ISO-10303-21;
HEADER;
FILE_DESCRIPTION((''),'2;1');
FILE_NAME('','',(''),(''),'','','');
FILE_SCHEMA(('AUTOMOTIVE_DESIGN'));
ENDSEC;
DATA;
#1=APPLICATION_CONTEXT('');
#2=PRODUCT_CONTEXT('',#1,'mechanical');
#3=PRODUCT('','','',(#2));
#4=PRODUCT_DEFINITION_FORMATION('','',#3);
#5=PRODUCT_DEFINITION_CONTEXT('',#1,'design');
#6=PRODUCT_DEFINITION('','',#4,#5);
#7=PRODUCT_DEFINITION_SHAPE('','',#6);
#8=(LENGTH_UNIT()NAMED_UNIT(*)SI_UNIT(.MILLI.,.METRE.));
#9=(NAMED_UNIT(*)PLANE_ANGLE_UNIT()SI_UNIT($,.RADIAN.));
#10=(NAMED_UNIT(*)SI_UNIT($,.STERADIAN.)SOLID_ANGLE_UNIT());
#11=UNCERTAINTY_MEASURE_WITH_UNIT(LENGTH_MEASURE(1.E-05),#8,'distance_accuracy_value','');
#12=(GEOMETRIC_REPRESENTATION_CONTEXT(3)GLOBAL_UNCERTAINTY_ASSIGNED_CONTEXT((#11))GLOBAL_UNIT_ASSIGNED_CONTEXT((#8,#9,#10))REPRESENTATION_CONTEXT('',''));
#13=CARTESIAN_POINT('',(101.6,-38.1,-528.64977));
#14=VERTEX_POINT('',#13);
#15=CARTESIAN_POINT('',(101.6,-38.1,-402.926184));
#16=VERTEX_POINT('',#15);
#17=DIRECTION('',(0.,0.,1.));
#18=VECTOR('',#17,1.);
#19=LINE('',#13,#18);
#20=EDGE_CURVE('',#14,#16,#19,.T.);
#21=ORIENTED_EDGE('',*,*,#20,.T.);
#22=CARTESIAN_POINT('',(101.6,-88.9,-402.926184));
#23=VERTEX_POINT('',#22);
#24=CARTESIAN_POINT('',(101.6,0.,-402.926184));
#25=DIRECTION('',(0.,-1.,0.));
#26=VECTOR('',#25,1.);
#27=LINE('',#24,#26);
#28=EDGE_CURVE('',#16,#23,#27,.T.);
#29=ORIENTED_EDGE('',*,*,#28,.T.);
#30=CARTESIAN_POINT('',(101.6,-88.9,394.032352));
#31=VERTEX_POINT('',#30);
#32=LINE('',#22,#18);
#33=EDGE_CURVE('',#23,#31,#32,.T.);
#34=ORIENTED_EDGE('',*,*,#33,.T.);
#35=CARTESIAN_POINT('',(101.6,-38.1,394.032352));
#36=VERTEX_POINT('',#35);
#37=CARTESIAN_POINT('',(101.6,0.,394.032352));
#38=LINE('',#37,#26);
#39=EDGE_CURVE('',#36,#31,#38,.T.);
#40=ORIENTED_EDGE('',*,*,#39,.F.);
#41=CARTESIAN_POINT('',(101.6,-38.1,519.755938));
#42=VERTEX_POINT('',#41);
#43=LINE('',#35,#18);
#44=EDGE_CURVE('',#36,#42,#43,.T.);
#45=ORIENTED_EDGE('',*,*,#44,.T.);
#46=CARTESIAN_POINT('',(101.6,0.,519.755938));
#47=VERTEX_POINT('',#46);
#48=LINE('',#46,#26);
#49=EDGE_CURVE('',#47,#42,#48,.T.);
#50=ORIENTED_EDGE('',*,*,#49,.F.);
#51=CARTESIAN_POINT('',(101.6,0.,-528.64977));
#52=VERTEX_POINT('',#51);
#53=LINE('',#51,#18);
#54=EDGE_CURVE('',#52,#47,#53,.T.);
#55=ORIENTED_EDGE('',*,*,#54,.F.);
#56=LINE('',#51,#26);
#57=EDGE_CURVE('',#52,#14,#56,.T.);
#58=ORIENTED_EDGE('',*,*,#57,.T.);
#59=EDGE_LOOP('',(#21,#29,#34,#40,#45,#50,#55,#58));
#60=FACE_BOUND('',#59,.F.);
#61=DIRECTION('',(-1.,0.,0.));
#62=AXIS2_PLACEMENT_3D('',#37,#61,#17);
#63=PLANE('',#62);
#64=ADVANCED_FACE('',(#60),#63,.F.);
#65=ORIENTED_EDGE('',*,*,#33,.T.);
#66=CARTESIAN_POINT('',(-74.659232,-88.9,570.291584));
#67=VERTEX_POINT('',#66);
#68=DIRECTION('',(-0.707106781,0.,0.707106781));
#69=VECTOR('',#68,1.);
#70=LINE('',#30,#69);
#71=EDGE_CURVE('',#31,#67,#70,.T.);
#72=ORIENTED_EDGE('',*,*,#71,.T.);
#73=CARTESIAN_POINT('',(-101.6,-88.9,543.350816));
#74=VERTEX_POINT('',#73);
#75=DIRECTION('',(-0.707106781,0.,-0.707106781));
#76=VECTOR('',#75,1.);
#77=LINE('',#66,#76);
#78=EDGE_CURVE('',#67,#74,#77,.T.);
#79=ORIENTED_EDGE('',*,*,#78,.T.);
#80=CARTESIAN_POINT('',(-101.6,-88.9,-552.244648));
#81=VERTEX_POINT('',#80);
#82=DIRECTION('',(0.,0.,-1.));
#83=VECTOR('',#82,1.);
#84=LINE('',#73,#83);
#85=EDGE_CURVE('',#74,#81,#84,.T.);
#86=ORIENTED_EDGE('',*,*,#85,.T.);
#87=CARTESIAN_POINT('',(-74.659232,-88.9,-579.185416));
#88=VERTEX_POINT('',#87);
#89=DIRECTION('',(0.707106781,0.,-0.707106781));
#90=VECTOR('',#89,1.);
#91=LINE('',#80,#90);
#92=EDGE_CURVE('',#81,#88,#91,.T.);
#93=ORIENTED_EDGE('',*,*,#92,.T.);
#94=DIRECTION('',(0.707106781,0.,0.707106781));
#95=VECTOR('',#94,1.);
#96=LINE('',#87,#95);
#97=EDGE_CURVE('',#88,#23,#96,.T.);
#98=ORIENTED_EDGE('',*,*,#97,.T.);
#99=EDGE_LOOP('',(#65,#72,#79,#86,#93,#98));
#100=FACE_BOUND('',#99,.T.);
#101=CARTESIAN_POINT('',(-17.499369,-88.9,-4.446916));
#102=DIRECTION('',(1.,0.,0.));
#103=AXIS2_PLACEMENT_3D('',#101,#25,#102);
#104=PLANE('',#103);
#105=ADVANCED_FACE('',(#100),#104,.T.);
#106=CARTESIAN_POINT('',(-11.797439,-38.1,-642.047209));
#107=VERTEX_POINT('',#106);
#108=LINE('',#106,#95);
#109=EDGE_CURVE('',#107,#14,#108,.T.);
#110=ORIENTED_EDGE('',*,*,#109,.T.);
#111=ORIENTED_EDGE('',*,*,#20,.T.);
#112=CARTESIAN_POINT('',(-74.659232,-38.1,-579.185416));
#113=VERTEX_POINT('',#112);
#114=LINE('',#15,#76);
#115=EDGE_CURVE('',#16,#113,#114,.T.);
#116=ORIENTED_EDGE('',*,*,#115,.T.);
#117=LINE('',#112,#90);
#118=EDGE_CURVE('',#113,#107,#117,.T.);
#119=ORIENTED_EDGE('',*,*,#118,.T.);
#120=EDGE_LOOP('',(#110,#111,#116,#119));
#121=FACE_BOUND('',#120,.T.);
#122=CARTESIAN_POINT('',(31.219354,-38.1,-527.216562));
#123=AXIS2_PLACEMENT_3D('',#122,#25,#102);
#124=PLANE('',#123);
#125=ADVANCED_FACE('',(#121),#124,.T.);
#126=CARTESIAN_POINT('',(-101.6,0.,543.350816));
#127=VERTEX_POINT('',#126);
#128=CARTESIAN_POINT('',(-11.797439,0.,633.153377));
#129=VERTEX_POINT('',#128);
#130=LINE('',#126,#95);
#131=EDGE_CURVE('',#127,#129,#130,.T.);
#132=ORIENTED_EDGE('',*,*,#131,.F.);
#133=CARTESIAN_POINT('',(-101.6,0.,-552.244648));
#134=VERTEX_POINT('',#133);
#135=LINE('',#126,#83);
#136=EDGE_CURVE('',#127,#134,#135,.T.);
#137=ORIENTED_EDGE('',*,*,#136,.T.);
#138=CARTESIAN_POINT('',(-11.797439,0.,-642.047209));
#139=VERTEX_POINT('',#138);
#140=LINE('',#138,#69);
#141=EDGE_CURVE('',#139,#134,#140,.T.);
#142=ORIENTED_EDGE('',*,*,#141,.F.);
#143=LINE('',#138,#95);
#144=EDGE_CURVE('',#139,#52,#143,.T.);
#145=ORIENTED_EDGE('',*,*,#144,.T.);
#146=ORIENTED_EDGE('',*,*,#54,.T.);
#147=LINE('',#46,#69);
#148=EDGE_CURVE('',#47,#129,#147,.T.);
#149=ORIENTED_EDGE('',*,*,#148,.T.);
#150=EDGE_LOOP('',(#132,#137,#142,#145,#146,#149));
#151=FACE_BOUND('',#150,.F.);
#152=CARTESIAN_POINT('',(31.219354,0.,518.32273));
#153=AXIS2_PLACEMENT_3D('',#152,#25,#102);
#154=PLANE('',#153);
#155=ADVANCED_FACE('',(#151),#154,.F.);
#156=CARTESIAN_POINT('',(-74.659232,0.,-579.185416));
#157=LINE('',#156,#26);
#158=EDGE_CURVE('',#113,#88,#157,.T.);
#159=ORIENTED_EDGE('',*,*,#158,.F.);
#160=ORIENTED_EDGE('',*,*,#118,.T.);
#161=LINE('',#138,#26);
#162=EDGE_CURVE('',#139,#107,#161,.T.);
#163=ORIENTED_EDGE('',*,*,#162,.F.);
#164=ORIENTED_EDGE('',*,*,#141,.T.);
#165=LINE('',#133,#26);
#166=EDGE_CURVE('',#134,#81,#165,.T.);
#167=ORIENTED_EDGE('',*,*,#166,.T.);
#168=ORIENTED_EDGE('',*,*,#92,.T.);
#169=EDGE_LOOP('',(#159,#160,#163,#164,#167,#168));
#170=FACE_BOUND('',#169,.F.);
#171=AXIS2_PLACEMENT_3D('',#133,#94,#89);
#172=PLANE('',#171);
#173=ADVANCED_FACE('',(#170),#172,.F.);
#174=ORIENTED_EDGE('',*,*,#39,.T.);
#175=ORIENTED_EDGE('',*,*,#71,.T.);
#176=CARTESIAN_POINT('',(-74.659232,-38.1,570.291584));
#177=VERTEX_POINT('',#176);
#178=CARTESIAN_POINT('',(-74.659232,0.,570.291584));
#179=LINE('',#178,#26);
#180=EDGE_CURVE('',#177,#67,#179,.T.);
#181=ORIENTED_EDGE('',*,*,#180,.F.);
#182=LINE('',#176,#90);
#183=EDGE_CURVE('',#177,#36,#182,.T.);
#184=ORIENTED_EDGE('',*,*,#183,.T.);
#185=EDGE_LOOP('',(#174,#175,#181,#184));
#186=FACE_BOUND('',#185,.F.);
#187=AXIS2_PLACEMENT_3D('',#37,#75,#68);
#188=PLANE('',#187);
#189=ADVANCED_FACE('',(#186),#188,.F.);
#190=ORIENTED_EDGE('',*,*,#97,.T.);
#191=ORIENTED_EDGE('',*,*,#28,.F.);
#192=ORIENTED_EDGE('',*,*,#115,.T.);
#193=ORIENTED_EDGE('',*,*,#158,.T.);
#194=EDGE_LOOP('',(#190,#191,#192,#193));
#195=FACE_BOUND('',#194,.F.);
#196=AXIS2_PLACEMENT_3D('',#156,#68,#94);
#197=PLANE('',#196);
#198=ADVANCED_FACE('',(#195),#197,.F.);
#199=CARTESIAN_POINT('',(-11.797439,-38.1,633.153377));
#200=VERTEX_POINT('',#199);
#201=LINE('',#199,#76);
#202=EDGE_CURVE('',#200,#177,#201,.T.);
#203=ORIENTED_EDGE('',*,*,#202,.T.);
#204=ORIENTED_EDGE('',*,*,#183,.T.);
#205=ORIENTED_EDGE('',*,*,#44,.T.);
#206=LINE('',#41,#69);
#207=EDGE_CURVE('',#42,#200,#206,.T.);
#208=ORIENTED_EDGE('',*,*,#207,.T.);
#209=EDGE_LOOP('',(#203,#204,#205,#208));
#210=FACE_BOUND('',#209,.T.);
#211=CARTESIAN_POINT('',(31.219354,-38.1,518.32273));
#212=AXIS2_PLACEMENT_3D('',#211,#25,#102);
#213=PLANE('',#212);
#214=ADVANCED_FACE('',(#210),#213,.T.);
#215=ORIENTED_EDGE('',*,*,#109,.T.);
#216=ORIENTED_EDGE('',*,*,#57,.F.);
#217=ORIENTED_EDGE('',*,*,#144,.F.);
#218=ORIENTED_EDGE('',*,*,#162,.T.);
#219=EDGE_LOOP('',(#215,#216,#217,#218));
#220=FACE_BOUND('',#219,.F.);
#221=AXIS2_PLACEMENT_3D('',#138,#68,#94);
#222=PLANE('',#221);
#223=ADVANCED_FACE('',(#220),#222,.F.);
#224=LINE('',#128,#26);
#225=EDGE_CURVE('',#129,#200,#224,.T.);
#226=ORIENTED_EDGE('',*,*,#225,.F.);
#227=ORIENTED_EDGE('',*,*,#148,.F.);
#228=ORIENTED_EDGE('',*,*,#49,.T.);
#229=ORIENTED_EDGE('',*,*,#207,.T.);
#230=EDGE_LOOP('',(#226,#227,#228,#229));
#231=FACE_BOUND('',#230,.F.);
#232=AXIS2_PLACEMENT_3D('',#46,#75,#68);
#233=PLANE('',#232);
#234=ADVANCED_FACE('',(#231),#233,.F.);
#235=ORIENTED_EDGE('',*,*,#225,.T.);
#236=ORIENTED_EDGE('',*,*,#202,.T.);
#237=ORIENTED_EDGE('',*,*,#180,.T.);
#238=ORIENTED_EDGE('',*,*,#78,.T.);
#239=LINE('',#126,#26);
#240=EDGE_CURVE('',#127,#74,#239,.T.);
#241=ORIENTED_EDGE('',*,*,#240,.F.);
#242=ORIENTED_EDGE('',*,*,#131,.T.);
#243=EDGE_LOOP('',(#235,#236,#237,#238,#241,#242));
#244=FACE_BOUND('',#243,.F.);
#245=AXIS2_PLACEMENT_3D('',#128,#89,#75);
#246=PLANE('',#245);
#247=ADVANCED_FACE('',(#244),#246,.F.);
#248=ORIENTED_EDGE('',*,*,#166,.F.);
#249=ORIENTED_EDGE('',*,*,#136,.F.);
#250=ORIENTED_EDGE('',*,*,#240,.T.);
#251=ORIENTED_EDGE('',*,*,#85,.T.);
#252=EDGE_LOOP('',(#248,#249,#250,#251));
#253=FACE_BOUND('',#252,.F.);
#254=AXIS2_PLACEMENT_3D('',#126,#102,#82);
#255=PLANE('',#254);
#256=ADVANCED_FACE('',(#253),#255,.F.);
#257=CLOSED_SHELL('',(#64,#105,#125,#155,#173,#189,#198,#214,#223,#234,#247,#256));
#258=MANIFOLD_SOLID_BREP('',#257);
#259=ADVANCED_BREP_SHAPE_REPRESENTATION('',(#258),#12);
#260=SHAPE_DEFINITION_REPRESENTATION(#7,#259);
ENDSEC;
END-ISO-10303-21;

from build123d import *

# Parameters (mm, degrees)
F1_DEPTH = 88.9
F2_DEPTH = 38.1


with BuildPart() as f1:
    # F0 (on Front) → F1 (new body)
    with BuildSketch(Plane.XZ):
        Polygon((101.6, 340.150816), (-101.6, 543.350816), (-101.6, -552.244648), (101.6, -349.044648), align=None)
        Polygon((101.6, -349.044648), (-101.6, -552.244648), (-74.659232, -579.185416), (101.6, -402.926184), align=None)
        Polygon((-74.659232, 570.291584), (-101.6, 543.350816), (101.6, 340.150816), (101.6, 394.032352), align=None)
    extrude(amount=F1_DEPTH)

    # F0 (on Front) → F2 (join)
    with BuildSketch(Plane.XZ):
        Polygon((101.6, 394.032352), (101.6, 519.755938), (-11.797439, 633.153377), (-74.659232, 570.291584), align=None)
        Polygon((101.6, -402.926184), (-74.659232, -579.185416), (-11.797439, -642.047209), (101.6, -528.64977), align=None)
    extrude(amount=F2_DEPTH)


solid = f1.part
